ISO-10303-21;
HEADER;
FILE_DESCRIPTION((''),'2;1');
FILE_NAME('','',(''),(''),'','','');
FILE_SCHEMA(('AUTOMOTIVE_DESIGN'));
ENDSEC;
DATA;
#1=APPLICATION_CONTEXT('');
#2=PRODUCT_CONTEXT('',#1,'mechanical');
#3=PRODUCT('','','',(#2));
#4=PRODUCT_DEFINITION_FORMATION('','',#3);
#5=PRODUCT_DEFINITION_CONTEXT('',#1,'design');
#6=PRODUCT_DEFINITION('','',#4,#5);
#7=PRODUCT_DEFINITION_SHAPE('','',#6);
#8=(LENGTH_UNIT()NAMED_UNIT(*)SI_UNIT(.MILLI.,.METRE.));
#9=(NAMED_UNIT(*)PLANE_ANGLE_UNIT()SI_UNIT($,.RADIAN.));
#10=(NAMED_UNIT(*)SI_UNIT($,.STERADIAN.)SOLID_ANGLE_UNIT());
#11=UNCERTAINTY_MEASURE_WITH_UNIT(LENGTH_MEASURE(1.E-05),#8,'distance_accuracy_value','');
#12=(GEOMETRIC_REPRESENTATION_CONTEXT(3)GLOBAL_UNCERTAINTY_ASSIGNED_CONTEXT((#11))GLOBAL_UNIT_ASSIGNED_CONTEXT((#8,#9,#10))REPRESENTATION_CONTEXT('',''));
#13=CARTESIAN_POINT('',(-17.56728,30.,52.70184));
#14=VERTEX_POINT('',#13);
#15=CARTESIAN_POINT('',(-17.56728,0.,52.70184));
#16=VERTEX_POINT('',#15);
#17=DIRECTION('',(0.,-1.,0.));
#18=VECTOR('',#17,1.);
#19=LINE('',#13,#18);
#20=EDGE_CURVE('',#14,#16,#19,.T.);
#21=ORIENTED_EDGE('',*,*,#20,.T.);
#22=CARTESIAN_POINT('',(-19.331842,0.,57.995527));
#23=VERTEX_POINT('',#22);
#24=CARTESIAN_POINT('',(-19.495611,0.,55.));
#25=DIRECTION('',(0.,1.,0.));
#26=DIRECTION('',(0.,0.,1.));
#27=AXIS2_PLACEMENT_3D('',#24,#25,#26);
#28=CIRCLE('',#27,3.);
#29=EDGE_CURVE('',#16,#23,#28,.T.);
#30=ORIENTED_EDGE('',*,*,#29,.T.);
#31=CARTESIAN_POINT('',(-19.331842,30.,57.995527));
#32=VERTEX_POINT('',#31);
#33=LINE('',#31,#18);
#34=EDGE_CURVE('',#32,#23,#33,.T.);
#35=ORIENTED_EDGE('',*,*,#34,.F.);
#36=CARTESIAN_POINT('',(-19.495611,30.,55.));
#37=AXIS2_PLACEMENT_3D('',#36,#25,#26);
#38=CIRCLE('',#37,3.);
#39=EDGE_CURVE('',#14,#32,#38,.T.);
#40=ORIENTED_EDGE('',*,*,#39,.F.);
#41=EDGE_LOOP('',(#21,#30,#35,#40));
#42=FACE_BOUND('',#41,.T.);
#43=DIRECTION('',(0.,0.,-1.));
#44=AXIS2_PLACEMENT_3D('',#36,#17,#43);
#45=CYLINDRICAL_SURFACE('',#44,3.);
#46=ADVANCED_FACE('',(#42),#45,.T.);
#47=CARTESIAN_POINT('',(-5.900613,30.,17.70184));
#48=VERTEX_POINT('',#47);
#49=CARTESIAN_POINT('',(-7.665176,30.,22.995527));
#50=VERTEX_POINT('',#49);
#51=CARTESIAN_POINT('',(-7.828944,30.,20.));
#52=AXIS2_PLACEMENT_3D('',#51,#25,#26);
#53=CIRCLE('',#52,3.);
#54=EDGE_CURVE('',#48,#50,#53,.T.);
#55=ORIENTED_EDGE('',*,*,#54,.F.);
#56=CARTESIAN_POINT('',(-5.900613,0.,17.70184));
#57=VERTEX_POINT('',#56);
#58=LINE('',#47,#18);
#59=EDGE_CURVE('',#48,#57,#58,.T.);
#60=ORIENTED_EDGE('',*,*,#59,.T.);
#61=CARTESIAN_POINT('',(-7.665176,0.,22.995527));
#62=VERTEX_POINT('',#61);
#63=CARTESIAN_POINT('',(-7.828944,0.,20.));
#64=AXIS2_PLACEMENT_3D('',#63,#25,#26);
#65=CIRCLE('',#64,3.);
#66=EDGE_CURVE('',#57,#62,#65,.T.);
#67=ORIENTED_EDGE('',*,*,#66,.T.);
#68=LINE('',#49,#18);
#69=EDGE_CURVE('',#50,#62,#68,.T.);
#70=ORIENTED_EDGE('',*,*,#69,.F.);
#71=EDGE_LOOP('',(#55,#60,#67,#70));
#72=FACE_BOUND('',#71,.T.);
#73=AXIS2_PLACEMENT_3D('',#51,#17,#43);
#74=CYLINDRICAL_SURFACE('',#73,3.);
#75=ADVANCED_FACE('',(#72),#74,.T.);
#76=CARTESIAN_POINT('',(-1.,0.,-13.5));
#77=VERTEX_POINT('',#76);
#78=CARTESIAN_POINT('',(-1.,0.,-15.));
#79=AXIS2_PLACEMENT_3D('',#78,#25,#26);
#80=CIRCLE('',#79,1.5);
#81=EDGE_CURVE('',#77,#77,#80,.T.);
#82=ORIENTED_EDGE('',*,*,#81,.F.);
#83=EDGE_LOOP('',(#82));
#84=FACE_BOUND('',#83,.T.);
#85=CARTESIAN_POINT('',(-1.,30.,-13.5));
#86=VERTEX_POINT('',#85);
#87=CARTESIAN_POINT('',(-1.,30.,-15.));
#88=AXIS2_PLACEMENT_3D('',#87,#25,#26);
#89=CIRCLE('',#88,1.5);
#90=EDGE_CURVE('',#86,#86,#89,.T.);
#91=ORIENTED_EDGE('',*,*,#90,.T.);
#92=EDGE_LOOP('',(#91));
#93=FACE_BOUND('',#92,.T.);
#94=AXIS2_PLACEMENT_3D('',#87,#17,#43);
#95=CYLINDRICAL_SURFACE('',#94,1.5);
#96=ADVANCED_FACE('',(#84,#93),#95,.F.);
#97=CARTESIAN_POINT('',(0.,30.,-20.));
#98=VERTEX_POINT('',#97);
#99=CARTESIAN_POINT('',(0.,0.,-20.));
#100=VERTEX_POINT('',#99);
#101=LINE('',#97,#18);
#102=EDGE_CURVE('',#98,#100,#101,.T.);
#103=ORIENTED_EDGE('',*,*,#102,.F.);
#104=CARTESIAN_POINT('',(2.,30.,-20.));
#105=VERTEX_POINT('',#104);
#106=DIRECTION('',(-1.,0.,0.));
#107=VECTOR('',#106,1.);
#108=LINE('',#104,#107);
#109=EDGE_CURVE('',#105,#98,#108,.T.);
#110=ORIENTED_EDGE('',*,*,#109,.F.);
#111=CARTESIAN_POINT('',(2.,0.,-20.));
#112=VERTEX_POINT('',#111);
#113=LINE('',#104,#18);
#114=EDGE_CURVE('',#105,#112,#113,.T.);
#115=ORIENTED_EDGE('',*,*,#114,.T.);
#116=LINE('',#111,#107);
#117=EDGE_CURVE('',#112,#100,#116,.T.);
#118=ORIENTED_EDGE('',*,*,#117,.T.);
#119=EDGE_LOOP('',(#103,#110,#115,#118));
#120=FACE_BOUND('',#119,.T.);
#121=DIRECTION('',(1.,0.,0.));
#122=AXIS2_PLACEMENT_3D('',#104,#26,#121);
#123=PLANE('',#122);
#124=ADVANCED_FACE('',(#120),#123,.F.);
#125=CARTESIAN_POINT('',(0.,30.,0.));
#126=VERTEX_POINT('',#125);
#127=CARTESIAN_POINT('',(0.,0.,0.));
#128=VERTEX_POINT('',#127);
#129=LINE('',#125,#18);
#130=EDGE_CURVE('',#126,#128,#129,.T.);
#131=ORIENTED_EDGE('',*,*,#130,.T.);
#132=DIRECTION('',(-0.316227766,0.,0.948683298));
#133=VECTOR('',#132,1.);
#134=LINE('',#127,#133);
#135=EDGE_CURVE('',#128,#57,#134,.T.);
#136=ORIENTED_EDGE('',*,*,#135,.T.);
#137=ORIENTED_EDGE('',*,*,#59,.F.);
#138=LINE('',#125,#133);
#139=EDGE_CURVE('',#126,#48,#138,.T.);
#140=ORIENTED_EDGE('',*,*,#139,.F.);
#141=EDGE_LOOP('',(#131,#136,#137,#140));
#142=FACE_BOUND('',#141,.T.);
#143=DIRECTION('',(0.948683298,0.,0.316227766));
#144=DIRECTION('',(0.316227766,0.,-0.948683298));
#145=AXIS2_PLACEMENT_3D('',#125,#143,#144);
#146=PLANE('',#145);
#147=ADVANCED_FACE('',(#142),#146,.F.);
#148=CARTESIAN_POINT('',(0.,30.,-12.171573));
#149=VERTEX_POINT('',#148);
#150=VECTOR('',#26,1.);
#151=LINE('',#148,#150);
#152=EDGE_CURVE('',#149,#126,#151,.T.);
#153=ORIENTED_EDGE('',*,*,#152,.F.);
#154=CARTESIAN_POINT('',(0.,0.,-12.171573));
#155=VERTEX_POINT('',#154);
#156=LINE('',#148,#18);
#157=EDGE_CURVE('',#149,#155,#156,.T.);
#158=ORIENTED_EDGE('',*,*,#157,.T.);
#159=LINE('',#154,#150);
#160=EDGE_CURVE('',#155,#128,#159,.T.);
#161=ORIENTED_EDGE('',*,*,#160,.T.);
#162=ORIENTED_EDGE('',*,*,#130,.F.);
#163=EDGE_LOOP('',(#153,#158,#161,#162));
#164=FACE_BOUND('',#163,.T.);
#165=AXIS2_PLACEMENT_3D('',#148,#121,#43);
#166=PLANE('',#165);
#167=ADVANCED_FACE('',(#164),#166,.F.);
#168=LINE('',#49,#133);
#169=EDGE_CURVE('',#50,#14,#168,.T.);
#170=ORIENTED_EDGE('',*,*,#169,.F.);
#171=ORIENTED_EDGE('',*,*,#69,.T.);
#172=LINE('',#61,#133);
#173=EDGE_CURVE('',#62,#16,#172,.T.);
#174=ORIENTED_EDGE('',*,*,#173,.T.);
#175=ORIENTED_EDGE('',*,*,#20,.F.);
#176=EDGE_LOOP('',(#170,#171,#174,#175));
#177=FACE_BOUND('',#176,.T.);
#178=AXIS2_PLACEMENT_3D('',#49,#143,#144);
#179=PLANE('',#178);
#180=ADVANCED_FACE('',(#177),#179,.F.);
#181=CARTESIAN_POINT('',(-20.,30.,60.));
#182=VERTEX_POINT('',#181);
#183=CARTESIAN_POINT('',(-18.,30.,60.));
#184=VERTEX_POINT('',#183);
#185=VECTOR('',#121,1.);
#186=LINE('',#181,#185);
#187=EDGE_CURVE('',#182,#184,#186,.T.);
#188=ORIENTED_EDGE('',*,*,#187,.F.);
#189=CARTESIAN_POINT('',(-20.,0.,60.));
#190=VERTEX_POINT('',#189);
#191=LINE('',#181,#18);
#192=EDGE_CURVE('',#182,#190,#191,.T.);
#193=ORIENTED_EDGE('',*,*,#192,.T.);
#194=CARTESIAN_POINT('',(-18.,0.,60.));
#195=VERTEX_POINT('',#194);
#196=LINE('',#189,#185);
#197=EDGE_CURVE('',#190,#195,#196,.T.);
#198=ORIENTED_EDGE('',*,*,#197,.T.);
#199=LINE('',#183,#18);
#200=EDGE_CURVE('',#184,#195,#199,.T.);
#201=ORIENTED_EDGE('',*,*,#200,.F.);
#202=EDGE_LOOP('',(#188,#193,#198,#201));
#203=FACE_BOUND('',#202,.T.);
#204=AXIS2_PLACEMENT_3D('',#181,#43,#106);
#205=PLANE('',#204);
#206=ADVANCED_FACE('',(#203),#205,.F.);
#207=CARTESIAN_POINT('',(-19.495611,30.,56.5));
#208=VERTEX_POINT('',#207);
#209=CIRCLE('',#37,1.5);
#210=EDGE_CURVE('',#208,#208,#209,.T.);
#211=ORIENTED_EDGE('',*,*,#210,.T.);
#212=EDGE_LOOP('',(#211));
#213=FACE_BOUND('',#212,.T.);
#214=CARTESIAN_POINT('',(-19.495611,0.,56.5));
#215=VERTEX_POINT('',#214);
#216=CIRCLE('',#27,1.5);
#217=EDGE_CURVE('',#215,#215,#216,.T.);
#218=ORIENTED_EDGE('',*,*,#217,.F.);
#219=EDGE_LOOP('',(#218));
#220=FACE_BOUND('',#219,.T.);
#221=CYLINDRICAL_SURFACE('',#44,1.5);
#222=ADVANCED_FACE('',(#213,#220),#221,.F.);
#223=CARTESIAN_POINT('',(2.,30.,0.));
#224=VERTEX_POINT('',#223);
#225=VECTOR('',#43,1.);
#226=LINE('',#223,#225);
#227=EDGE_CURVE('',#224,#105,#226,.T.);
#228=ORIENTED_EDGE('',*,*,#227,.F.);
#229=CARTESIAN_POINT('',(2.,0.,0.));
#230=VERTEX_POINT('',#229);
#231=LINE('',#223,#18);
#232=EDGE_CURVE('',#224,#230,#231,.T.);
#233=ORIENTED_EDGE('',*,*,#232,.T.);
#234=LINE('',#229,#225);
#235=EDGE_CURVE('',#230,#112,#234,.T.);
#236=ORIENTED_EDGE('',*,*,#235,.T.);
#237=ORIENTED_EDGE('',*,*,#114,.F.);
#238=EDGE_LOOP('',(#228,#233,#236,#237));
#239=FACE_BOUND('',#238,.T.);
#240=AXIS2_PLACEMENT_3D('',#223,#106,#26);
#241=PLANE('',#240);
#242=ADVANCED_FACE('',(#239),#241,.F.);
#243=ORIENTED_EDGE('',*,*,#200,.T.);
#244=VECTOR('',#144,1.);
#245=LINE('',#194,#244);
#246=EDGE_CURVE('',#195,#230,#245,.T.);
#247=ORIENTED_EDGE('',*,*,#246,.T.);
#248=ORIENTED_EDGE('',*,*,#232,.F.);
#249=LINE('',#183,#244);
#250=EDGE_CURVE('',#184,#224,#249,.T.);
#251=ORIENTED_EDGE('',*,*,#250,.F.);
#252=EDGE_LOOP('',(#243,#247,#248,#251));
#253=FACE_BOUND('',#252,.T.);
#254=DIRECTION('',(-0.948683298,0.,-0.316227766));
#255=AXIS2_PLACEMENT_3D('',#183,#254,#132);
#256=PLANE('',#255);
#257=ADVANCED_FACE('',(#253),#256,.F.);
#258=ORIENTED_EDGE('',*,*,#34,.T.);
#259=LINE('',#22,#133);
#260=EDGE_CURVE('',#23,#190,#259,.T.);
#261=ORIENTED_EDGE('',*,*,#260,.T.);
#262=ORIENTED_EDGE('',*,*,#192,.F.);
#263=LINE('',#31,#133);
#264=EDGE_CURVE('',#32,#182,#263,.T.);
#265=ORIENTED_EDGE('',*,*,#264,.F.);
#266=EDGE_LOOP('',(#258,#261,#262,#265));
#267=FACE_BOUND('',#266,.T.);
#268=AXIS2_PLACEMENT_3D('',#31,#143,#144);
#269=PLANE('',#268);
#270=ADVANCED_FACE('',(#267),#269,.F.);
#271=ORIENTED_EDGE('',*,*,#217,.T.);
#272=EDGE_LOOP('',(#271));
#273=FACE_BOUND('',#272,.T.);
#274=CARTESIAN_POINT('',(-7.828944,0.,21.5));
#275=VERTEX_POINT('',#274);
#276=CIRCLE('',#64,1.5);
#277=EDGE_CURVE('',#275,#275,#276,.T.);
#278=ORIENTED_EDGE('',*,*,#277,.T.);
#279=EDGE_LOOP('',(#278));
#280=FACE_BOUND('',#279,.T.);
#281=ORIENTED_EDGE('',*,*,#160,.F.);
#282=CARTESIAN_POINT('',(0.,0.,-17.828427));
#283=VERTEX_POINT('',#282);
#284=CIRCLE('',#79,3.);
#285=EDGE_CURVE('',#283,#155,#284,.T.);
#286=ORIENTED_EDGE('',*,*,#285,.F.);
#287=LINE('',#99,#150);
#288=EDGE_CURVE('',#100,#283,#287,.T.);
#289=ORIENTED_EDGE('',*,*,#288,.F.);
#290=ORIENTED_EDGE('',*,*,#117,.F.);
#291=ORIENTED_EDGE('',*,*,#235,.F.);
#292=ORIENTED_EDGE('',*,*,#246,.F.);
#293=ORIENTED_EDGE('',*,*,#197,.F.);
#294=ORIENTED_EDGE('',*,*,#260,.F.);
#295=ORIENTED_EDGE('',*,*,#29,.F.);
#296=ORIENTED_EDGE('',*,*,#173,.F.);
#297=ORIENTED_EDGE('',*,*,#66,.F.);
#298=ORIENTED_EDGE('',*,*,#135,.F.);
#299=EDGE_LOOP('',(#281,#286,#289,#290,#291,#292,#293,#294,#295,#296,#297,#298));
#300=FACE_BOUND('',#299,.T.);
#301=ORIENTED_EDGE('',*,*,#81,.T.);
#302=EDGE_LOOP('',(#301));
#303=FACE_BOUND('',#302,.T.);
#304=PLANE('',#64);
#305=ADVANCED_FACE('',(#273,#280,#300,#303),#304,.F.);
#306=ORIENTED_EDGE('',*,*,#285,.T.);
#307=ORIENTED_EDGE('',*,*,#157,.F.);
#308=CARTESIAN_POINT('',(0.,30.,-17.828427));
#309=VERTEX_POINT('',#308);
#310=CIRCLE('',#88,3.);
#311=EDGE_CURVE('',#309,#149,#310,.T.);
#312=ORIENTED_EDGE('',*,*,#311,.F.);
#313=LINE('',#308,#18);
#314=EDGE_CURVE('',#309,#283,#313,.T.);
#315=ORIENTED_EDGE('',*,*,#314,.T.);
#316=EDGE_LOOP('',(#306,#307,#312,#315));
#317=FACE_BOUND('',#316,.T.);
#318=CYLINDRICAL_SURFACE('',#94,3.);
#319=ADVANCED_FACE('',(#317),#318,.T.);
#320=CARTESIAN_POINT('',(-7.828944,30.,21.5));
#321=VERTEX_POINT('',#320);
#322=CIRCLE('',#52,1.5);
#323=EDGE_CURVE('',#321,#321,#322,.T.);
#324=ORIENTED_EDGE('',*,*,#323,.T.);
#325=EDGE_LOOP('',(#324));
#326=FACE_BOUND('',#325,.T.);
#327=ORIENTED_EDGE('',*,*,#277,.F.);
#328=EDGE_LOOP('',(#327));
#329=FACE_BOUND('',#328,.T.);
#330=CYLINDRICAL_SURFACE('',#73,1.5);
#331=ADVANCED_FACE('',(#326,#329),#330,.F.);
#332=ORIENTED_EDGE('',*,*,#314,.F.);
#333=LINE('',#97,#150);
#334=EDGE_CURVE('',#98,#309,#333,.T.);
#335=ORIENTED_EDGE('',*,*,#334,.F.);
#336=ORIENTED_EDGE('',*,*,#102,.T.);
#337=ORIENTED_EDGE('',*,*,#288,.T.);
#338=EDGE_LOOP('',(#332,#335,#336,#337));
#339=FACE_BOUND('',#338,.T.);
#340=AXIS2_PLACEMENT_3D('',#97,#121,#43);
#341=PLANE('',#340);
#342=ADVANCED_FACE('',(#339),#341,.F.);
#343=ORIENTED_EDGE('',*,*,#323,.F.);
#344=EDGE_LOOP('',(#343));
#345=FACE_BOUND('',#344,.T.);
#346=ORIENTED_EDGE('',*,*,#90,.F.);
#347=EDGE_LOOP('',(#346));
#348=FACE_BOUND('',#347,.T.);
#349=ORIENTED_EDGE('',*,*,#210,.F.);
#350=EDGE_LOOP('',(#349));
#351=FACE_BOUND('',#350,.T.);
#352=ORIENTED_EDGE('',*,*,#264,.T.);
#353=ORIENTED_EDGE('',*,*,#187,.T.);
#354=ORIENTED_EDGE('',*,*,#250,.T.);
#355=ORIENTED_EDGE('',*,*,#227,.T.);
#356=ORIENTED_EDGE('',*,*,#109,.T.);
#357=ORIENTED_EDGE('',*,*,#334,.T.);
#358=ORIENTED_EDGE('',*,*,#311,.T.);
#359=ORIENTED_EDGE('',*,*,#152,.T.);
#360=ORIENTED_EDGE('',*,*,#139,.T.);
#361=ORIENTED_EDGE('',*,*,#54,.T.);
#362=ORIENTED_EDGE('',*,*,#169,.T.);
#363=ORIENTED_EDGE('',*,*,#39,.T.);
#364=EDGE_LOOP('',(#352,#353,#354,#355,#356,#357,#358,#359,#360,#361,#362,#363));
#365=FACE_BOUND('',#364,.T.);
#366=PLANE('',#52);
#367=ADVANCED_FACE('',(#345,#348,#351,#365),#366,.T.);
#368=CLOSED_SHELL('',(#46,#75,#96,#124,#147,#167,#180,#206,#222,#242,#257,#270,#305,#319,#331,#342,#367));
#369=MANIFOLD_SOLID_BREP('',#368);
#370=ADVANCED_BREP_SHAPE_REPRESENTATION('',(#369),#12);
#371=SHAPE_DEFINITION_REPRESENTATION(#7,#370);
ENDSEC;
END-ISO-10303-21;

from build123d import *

# Parameters (mm, degrees)
SKETCH_1_R      = 1.5
EXTRUDE_1_DEPTH = 30


with BuildPart() as part:
    # 草图1 → 凸台-拉伸1 (new body)
    with BuildSketch(Plane(origin=(0, 0, 0), x_dir=(1, 0, 0), z_dir=(0, 1, 0))):
        with BuildLine():
            Line((0, 0), (-5.900613322, -17.701839967))
            ThreePointArc((-5.900613322, -17.701839967), (-10.674994221, -19.051316702), (-7.665175543, -22.995526629))
            Line((-7.665175543, -22.995526629), (-17.567279989, -52.701839967))
            ThreePointArc((-17.567279989, -52.701839967), (-22.341660888, -54.051316702), (-19.33184221, -57.995526629))
            Line((-19.33184221, -57.995526629), (-20, -60))
            Line((-20, -60), (-18, -60))
            Line((-18, -60), (2, 0))
            Line((2, 0), (2, 20))
            Line((2, 20), (0, 20))
            Line((0, 20), (0, 17.828427125))
            ThreePointArc((0, 17.828427125), (-4, 15), (0, 12.171572875))
            Line((0, 12.171572875), (0, 0))
        make_face()
        with Locations(Location((-7.828944327, -20, 0), (0, 0, 270))):
            Circle(SKETCH_1_R, mode=Mode.SUBTRACT)
        with Locations(Location((-1, 15, 0), (0, 0, 270))):
            Circle(SKETCH_1_R, mode=Mode.SUBTRACT)
        with Locations(Location((-19.495610994, -55, 0), (0, 0, 270))):
            Circle(SKETCH_1_R, mode=Mode.SUBTRACT)
    extrude(amount=EXTRUDE_1_DEPTH)


solid = part.part
